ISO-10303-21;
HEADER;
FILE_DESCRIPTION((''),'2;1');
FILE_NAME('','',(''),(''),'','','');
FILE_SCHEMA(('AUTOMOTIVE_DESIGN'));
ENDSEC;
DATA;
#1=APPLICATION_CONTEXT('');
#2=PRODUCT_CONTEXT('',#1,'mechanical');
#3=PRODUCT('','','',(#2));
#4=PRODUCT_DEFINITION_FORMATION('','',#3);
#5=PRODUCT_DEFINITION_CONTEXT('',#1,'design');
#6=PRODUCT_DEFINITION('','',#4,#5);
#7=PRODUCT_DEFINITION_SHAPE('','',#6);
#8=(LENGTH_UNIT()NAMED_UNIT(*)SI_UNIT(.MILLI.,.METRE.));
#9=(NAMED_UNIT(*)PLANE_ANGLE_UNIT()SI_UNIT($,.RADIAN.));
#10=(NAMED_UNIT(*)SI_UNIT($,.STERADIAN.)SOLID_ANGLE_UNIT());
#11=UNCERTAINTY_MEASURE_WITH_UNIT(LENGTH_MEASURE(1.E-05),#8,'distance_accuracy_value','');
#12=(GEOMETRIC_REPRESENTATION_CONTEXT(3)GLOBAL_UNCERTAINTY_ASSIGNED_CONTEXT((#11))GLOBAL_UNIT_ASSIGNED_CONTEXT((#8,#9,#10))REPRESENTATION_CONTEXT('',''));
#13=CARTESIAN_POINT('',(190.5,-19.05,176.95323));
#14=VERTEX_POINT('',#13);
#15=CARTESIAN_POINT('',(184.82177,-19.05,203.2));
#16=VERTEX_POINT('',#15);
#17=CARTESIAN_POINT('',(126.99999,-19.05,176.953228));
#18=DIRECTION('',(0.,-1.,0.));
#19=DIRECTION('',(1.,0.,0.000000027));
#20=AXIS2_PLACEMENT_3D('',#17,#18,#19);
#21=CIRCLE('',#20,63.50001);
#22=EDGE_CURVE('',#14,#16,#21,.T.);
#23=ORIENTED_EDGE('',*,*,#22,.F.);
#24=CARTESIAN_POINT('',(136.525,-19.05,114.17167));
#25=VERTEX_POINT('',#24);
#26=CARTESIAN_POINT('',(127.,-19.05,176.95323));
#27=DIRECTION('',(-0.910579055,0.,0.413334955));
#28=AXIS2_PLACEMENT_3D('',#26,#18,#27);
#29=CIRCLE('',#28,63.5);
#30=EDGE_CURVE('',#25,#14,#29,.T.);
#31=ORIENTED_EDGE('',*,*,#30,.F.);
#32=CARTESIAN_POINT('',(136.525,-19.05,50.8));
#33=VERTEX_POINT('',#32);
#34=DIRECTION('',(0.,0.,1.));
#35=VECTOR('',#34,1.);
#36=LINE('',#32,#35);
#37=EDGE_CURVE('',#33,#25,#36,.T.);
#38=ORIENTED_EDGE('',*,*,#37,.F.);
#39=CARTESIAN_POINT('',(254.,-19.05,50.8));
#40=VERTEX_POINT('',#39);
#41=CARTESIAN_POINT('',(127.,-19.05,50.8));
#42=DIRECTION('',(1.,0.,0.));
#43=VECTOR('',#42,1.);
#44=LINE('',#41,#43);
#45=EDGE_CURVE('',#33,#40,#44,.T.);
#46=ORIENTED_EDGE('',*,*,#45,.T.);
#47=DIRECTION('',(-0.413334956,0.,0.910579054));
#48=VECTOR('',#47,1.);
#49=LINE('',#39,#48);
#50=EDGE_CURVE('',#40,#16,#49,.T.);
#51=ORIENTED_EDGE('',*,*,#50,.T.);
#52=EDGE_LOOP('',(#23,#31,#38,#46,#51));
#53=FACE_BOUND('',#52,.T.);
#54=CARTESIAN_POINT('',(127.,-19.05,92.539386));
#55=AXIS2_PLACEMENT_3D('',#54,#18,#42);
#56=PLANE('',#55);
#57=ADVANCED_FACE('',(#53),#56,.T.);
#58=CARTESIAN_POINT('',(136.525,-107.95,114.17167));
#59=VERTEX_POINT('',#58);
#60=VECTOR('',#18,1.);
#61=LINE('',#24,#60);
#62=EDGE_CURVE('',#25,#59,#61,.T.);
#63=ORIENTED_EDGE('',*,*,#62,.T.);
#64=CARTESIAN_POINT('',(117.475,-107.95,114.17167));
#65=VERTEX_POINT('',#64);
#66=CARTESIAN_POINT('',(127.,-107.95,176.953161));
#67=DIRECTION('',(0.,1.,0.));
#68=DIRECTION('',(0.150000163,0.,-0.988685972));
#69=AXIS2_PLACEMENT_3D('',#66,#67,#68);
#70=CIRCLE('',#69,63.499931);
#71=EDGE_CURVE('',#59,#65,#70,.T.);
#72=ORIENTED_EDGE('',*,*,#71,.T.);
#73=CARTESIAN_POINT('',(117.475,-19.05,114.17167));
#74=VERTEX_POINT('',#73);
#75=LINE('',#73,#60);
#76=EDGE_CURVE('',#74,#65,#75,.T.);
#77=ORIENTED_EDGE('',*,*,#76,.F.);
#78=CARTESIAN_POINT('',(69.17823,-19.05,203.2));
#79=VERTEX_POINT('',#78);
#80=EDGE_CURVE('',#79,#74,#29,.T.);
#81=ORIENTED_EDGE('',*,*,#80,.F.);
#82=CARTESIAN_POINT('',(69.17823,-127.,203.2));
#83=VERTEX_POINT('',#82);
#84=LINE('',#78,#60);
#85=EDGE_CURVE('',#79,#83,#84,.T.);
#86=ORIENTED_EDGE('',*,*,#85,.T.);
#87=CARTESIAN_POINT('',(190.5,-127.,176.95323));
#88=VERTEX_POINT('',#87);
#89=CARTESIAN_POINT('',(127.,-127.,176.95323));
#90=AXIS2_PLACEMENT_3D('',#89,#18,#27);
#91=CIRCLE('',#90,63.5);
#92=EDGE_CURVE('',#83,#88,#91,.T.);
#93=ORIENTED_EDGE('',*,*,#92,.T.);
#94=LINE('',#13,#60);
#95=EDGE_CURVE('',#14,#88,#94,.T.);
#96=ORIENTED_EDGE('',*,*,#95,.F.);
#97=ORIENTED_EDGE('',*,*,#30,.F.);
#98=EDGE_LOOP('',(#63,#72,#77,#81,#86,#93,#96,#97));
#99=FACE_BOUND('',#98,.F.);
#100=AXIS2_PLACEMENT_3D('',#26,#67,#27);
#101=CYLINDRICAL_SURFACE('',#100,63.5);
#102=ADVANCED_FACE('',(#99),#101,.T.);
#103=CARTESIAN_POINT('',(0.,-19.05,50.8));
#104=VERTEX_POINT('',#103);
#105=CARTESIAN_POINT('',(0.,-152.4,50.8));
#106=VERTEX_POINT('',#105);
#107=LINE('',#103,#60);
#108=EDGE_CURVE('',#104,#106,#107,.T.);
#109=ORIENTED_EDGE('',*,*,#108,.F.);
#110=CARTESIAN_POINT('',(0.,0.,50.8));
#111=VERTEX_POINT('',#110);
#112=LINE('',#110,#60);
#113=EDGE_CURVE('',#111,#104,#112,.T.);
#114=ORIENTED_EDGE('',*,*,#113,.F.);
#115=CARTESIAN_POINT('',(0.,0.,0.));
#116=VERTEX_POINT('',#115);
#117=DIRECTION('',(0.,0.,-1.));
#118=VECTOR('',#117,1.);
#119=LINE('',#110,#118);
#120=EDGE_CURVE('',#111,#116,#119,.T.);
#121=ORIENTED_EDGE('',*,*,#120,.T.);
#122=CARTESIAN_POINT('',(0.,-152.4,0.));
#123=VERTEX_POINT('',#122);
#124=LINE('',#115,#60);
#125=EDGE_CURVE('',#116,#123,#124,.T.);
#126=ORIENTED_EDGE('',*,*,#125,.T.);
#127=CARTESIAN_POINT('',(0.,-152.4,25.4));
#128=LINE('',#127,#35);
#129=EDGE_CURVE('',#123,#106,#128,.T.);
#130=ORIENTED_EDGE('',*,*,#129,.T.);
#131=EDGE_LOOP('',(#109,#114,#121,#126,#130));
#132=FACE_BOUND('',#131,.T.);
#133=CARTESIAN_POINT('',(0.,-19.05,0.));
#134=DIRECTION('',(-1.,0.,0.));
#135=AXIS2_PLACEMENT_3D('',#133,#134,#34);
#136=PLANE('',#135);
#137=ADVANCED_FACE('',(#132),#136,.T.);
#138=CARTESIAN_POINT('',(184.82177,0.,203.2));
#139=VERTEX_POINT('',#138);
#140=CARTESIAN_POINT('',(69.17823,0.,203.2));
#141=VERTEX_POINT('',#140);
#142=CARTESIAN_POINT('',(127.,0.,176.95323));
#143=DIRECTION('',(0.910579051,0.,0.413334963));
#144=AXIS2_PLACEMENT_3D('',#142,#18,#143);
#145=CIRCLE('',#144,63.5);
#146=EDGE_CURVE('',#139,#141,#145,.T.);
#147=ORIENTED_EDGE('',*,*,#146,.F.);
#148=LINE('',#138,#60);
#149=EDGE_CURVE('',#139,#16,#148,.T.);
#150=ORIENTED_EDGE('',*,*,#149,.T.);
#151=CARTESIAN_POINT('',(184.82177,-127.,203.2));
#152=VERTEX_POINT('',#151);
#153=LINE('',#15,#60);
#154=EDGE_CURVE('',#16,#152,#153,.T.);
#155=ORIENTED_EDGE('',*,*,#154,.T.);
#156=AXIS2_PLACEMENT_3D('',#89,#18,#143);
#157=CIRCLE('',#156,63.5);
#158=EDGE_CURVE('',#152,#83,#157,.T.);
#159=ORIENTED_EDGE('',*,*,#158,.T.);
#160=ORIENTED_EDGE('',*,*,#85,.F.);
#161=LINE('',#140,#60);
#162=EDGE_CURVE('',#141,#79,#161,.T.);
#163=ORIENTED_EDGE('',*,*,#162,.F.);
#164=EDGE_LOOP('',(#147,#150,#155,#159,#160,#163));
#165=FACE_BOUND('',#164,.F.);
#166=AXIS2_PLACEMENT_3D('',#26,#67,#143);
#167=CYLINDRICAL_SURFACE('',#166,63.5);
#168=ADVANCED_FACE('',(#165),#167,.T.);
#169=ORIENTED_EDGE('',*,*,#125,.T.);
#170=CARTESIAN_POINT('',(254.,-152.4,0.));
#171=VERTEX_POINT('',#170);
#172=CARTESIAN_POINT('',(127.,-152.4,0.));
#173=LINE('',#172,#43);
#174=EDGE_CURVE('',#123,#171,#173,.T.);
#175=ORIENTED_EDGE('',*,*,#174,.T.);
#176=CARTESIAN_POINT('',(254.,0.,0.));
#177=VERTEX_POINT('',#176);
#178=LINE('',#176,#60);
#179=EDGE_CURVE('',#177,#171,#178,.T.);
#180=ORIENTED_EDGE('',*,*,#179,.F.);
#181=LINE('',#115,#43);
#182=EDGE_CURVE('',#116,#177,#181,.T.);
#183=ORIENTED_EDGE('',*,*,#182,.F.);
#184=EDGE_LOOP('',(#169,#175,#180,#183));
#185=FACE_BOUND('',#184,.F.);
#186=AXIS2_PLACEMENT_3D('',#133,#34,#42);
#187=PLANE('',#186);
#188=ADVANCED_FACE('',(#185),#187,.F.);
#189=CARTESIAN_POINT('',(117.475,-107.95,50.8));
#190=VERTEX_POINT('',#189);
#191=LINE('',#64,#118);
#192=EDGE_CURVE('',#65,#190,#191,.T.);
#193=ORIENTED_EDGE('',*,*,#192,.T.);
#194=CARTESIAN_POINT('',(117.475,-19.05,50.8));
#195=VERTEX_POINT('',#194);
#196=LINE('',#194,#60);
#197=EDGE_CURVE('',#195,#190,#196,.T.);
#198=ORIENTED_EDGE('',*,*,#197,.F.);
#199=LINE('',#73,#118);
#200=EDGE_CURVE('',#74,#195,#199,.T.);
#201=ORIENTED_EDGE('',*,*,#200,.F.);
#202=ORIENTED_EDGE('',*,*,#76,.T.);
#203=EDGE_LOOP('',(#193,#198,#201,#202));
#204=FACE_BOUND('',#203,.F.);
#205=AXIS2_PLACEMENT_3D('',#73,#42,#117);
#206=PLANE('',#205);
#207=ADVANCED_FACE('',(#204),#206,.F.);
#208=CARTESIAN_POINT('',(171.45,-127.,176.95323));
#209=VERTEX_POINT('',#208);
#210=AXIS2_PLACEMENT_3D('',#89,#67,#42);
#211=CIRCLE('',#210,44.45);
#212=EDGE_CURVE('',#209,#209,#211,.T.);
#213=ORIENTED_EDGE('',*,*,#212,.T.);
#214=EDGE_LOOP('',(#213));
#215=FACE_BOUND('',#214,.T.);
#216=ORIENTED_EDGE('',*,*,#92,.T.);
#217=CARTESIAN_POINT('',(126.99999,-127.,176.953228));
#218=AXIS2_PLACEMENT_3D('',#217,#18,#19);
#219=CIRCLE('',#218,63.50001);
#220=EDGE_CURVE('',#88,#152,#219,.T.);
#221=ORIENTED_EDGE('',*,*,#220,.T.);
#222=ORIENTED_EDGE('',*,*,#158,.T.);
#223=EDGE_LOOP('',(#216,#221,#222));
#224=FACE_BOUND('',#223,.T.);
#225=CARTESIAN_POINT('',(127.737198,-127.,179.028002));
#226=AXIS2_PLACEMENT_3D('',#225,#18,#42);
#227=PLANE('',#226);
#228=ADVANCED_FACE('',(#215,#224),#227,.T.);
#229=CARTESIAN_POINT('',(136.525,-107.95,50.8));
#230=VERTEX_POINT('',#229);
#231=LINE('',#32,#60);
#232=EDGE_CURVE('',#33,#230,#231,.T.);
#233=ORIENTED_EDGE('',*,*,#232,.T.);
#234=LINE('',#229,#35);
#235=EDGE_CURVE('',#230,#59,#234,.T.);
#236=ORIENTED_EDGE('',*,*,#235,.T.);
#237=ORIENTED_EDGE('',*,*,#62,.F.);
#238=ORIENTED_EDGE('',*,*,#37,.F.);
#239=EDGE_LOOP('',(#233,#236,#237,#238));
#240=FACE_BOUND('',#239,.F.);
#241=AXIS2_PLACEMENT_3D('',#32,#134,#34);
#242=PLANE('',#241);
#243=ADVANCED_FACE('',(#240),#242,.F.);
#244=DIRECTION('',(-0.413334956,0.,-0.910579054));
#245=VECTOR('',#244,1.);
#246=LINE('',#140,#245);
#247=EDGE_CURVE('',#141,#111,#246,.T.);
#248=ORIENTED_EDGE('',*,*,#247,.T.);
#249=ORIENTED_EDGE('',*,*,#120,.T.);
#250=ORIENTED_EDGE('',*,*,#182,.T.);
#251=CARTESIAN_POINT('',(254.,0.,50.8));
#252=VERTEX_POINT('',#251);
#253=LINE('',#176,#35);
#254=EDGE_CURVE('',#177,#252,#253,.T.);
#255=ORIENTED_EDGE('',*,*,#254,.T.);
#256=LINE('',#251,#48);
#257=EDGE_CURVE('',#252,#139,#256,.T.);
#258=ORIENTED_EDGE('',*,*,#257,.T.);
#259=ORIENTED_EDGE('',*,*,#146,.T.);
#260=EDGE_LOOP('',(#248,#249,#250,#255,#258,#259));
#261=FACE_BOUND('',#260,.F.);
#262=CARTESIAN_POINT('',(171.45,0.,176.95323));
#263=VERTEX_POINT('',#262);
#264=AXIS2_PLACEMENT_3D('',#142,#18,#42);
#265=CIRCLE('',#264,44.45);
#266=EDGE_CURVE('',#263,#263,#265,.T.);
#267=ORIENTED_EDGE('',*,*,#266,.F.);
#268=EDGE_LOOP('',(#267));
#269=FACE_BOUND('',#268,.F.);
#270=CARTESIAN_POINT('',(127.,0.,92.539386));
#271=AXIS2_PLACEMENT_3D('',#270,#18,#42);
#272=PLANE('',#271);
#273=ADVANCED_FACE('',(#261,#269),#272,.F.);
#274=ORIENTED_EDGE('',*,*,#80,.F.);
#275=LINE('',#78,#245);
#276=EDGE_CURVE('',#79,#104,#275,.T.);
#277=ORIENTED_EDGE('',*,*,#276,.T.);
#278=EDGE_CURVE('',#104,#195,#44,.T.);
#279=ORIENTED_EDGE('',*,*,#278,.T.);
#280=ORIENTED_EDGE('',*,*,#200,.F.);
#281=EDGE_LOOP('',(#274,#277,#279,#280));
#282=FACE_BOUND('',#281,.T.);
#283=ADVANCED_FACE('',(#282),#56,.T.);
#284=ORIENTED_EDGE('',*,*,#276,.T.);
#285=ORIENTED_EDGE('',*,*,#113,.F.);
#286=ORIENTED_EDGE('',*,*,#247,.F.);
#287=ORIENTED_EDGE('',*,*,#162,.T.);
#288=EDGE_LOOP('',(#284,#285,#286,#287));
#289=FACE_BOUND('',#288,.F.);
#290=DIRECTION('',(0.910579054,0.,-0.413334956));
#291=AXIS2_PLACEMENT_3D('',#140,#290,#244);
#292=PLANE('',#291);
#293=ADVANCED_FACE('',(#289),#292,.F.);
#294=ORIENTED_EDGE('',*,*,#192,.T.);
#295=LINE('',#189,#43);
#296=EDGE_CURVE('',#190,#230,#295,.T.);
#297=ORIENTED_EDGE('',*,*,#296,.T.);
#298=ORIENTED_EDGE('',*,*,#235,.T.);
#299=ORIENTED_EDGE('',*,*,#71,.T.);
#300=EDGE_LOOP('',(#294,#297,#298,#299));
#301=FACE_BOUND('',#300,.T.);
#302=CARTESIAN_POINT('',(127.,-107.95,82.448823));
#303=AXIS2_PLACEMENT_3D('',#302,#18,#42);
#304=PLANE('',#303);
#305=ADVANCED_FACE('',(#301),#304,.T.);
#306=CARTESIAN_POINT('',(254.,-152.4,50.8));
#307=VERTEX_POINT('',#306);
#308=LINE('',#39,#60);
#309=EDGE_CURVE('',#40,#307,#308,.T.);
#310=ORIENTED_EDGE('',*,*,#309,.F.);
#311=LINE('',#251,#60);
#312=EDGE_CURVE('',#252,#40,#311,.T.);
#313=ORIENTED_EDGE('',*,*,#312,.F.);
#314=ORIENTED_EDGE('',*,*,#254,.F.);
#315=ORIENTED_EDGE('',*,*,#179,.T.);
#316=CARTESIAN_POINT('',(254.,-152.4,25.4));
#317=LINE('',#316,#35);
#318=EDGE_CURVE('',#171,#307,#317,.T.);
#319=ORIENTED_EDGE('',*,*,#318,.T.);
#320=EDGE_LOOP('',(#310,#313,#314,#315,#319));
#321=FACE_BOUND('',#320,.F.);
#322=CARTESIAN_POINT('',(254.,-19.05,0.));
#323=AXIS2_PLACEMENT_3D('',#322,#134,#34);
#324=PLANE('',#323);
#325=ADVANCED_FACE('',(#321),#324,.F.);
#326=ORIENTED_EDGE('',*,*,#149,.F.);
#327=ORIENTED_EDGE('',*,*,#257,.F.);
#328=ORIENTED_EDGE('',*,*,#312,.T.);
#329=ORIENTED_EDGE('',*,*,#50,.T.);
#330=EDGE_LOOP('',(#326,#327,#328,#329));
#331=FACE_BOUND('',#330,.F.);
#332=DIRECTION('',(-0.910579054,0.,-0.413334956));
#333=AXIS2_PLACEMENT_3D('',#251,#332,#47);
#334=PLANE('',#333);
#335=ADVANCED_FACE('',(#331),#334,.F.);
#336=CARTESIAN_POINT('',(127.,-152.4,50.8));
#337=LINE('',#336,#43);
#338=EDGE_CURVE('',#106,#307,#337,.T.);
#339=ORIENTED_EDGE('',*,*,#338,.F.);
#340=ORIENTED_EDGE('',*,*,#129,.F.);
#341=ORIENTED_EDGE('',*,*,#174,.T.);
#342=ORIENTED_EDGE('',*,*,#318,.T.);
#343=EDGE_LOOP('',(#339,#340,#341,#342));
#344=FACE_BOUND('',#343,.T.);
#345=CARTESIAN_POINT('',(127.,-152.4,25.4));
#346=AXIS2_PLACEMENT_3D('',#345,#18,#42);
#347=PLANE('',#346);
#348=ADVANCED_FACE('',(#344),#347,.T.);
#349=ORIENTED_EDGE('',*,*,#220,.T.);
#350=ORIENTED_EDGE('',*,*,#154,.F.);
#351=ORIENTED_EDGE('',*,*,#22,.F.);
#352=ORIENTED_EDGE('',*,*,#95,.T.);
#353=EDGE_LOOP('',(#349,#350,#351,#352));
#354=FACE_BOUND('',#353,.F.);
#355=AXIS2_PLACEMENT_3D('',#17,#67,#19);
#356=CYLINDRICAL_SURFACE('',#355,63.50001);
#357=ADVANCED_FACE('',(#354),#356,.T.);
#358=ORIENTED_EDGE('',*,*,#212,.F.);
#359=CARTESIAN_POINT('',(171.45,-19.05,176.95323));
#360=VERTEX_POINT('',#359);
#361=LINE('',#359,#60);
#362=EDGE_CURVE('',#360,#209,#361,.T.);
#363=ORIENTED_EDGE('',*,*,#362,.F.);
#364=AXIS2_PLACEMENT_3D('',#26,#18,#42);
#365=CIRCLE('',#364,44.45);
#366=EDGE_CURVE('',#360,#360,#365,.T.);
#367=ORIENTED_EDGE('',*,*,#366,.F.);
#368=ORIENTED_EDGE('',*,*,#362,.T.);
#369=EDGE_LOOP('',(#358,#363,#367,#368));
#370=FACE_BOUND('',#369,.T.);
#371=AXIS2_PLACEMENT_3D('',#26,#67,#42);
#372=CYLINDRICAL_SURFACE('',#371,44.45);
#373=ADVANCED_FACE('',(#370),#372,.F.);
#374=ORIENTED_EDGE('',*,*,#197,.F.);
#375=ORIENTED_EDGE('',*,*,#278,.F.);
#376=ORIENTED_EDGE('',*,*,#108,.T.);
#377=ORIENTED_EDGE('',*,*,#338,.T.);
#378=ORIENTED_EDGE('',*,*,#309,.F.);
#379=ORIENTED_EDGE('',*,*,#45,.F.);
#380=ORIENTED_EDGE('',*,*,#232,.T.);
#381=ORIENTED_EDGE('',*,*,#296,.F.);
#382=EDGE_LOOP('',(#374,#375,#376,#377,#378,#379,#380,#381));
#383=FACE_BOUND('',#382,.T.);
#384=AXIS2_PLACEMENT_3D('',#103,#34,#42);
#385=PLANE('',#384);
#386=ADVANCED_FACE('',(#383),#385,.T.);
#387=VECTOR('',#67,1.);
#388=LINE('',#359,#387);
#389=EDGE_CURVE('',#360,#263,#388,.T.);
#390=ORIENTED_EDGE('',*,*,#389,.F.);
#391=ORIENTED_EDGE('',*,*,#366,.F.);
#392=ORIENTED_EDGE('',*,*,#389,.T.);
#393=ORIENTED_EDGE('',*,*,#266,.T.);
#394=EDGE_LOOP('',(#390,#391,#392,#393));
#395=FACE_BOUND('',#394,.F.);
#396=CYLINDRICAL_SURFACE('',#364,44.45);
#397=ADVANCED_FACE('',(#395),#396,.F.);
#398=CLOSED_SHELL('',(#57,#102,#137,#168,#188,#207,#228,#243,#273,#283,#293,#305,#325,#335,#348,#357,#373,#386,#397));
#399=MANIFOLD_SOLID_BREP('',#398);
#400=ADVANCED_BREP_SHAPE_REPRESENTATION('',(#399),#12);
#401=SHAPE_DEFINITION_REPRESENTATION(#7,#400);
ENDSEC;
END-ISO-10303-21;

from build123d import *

# Parameters (mm, degrees)
F1_DEPTH      = 19.05
F2_W          = 254
F2_H          = 50.8
F3_DEPTH      = 133.35
F5_R          = 44.45
F6_DEPTH      = 19.051
F7_DEPTH      = 107.95
F8_DEPTH      = 133.351
F8_DEPTH_BACK = 19.051
F10_DEPTH     = 88.9


with BuildPart() as f1:
    # F0 (on Front) → F1 (new body)
    with BuildSketch(Plane.XZ):
        with BuildLine():
            Line((0, 50.8), (0, 0))
            Line((0, 0), (254, 0))
            Line((254, 0), (254, 50.8))
            Line((254, 50.8), (184.82177, 203.2))
            ThreePointArc((184.82177, 203.2), (127, 240.45323), (69.17823, 203.2))
            Line((69.17823, 203.2), (0, 50.8))
        make_face()
    extrude(amount=F1_DEPTH)

    # F2 (on face) → F3 (join)
    with BuildSketch(Plane.XZ.offset(19.05)):
        with Locations((127, 25.4)):
            Rectangle(F2_W, F2_H)
    extrude(amount=F3_DEPTH)

    # F5 (on face) → F6 (cut, through all)
    with BuildSketch(Plane.XZ.offset(19.05)):
        with Locations((127, 176.95323)):
            Circle(F5_R)
    extrude(amount=-F6_DEPTH, mode=Mode.SUBTRACT)

    # F4 (on face) → F7 (join)
    with BuildSketch(Plane.XZ.offset(19.05)):
        with BuildLine():
            ThreePointArc((69.17823, 203.2), (113.57302, 114.88902), (190.5, 176.95323))
            ThreePointArc((190.5, 176.95323), (189.06421, 190.380211), (184.82177, 203.2))
            ThreePointArc((184.82177, 203.2), (127, 240.45323), (69.17823, 203.2))
        make_face()
    extrude(amount=F7_DEPTH)

    # F5 (on face) → F8 (cut, two sides)
    with BuildSketch(Plane.XZ.offset(19.05)) as f8_sk:
        with Locations((127, 176.95323)):
            Circle(F5_R)
    extrude(amount=F8_DEPTH, mode=Mode.SUBTRACT)
    extrude(f8_sk.sketch, amount=-F8_DEPTH_BACK, mode=Mode.SUBTRACT)

    # F9 (on face) → F10 (join)
    with BuildSketch(Plane.XZ.offset(19.05)):
        with BuildLine():
            Line((117.475, 114.17167), (117.475, 50.8))
            Line((117.475, 50.8), (136.525, 50.8))
            Line((136.525, 50.8), (136.525, 114.17167))
            ThreePointArc((136.525, 114.17167), (127, 113.45323), (117.475, 114.17167))
        make_face()
    extrude(amount=F10_DEPTH)


solid = f1.part
